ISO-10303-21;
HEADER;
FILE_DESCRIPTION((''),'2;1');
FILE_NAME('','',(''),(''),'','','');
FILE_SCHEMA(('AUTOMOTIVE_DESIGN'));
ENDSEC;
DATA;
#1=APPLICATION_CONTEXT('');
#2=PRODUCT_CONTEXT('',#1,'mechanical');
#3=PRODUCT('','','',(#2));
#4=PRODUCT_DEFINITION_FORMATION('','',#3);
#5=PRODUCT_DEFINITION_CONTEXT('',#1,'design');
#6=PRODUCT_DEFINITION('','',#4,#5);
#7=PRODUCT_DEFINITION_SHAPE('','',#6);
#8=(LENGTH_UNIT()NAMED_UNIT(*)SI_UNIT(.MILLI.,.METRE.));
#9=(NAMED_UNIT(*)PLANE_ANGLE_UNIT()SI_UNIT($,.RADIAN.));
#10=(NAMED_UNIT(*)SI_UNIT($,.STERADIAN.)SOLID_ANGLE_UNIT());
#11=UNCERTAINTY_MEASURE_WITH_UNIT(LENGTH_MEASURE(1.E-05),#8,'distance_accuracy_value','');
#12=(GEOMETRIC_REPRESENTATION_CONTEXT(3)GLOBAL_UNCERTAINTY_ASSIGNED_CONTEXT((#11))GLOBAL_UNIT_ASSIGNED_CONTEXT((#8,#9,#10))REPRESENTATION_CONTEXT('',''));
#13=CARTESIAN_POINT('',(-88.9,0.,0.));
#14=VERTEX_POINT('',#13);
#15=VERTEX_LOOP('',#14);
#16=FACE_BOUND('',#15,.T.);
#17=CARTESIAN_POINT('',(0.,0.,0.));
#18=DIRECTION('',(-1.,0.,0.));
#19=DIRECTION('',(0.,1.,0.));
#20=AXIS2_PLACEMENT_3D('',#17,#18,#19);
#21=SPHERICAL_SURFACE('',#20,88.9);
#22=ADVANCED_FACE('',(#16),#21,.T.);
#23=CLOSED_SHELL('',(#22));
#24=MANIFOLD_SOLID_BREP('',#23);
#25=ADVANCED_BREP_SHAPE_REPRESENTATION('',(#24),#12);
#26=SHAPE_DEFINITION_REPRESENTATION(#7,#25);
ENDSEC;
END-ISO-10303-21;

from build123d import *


with BuildPart() as part:
    # Sketch2 → Revolve1 (revolve)
    with BuildSketch(Plane.XY):
        with BuildLine():
            Line((-88.9, 0), (88.9, 0))
            ThreePointArc((88.9, 0), (0, 88.9), (-88.9, 0))
        make_face()
    revolve(axis=Axis((-88.9, 0, 0), (1, 0, 0)))


solid = part.part
